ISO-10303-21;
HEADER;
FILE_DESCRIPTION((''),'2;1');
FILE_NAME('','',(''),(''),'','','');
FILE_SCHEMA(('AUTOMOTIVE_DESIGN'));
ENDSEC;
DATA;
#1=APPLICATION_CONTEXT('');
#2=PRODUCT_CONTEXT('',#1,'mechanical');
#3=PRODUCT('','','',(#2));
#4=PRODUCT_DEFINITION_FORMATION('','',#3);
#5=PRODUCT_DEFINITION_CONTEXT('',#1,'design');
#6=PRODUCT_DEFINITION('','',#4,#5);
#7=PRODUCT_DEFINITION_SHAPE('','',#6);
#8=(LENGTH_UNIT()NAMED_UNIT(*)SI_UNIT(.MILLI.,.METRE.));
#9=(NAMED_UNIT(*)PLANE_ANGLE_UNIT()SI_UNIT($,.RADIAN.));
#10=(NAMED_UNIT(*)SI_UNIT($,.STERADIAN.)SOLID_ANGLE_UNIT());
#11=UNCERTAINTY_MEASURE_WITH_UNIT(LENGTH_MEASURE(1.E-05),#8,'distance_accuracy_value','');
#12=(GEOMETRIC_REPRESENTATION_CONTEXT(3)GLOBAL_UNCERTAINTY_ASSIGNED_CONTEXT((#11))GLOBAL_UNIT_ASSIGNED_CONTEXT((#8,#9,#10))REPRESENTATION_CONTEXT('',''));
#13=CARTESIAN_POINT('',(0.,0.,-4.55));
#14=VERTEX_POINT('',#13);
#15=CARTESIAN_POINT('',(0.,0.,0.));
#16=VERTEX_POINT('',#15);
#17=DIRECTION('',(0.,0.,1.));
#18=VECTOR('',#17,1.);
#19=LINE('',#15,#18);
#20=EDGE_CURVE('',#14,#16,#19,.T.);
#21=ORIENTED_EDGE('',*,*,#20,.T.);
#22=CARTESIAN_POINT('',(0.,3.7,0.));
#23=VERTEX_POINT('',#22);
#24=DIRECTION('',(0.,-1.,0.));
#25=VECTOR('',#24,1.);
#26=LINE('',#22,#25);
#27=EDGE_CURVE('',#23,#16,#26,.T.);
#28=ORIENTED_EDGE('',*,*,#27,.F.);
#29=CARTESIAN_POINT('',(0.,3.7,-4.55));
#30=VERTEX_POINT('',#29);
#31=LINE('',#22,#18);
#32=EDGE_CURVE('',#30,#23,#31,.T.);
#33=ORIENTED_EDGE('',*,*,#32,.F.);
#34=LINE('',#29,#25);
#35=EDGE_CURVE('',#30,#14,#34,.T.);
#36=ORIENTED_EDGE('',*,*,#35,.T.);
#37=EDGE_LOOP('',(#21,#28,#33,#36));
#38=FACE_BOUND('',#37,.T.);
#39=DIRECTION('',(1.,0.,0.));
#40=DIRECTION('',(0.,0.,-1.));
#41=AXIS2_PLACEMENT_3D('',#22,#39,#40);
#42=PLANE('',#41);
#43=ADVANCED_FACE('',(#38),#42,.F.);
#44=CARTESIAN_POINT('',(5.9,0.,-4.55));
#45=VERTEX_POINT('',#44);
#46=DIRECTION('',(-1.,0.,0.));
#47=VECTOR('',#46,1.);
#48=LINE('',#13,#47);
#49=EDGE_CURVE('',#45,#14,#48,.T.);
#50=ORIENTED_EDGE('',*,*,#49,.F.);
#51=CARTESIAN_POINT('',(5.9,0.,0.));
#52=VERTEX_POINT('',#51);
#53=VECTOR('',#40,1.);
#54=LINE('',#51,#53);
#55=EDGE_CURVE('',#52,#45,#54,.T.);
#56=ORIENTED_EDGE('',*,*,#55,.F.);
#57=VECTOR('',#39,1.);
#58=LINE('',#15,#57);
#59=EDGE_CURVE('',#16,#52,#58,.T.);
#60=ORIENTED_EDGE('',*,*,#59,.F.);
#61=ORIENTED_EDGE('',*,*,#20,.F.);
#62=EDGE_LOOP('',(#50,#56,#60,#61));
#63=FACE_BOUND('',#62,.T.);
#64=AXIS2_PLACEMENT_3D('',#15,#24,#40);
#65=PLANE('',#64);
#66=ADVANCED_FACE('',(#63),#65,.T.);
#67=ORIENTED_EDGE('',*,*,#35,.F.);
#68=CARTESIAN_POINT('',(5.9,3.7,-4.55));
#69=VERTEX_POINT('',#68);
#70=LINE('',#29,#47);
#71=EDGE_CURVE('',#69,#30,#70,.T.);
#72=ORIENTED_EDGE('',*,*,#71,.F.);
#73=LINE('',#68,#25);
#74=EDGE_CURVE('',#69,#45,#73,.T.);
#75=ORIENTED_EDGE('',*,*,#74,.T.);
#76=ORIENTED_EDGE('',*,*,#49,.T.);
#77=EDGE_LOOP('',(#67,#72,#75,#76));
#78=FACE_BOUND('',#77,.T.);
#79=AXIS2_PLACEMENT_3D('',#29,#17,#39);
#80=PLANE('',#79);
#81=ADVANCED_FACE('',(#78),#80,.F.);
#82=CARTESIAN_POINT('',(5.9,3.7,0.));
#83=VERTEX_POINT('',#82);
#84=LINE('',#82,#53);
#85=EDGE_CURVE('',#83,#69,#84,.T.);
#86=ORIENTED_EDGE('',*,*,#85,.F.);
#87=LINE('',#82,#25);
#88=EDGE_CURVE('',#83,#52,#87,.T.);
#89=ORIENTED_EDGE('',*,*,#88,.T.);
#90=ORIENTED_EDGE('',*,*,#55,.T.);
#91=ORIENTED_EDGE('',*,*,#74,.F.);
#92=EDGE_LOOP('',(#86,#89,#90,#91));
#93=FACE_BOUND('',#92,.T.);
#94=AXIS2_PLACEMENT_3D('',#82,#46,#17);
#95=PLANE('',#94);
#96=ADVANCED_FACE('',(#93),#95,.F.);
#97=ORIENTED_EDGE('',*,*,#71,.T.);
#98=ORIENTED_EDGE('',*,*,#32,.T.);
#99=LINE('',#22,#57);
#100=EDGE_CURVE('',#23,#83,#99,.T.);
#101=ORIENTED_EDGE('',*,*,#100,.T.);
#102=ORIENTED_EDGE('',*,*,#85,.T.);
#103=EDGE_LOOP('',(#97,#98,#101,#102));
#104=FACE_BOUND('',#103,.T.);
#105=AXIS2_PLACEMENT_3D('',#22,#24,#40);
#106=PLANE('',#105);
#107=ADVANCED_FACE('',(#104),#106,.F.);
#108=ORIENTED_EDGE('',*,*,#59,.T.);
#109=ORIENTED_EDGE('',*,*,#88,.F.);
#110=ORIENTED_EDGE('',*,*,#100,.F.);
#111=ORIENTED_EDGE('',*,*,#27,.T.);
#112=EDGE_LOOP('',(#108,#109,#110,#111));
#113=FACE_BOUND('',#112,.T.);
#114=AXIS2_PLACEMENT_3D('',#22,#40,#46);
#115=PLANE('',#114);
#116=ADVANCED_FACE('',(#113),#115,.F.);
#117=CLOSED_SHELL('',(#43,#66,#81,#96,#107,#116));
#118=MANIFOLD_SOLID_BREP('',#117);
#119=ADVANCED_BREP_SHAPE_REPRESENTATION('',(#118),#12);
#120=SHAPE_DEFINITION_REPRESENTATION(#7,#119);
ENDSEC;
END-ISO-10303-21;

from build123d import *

# Parameters (mm, degrees)
BUTTONBASE_SKETCH_W      = 5.9
BUTTONBASE_SKETCH_H      = 4.55
BUTTONBASE_EXTRUDE_DEPTH = 3.7


with BuildPart() as part:
    # ButtonBase Sketch → ButtonBase Extrude (new body)
    with BuildSketch(Plane(origin=(0, 0, 0), x_dir=(1, 0, 0), z_dir=(0, 1, 0))):
        with Locations((2.95, 2.275)):
            Rectangle(BUTTONBASE_SKETCH_W, BUTTONBASE_SKETCH_H)
    extrude(amount=BUTTONBASE_EXTRUDE_DEPTH)


solid = part.part
